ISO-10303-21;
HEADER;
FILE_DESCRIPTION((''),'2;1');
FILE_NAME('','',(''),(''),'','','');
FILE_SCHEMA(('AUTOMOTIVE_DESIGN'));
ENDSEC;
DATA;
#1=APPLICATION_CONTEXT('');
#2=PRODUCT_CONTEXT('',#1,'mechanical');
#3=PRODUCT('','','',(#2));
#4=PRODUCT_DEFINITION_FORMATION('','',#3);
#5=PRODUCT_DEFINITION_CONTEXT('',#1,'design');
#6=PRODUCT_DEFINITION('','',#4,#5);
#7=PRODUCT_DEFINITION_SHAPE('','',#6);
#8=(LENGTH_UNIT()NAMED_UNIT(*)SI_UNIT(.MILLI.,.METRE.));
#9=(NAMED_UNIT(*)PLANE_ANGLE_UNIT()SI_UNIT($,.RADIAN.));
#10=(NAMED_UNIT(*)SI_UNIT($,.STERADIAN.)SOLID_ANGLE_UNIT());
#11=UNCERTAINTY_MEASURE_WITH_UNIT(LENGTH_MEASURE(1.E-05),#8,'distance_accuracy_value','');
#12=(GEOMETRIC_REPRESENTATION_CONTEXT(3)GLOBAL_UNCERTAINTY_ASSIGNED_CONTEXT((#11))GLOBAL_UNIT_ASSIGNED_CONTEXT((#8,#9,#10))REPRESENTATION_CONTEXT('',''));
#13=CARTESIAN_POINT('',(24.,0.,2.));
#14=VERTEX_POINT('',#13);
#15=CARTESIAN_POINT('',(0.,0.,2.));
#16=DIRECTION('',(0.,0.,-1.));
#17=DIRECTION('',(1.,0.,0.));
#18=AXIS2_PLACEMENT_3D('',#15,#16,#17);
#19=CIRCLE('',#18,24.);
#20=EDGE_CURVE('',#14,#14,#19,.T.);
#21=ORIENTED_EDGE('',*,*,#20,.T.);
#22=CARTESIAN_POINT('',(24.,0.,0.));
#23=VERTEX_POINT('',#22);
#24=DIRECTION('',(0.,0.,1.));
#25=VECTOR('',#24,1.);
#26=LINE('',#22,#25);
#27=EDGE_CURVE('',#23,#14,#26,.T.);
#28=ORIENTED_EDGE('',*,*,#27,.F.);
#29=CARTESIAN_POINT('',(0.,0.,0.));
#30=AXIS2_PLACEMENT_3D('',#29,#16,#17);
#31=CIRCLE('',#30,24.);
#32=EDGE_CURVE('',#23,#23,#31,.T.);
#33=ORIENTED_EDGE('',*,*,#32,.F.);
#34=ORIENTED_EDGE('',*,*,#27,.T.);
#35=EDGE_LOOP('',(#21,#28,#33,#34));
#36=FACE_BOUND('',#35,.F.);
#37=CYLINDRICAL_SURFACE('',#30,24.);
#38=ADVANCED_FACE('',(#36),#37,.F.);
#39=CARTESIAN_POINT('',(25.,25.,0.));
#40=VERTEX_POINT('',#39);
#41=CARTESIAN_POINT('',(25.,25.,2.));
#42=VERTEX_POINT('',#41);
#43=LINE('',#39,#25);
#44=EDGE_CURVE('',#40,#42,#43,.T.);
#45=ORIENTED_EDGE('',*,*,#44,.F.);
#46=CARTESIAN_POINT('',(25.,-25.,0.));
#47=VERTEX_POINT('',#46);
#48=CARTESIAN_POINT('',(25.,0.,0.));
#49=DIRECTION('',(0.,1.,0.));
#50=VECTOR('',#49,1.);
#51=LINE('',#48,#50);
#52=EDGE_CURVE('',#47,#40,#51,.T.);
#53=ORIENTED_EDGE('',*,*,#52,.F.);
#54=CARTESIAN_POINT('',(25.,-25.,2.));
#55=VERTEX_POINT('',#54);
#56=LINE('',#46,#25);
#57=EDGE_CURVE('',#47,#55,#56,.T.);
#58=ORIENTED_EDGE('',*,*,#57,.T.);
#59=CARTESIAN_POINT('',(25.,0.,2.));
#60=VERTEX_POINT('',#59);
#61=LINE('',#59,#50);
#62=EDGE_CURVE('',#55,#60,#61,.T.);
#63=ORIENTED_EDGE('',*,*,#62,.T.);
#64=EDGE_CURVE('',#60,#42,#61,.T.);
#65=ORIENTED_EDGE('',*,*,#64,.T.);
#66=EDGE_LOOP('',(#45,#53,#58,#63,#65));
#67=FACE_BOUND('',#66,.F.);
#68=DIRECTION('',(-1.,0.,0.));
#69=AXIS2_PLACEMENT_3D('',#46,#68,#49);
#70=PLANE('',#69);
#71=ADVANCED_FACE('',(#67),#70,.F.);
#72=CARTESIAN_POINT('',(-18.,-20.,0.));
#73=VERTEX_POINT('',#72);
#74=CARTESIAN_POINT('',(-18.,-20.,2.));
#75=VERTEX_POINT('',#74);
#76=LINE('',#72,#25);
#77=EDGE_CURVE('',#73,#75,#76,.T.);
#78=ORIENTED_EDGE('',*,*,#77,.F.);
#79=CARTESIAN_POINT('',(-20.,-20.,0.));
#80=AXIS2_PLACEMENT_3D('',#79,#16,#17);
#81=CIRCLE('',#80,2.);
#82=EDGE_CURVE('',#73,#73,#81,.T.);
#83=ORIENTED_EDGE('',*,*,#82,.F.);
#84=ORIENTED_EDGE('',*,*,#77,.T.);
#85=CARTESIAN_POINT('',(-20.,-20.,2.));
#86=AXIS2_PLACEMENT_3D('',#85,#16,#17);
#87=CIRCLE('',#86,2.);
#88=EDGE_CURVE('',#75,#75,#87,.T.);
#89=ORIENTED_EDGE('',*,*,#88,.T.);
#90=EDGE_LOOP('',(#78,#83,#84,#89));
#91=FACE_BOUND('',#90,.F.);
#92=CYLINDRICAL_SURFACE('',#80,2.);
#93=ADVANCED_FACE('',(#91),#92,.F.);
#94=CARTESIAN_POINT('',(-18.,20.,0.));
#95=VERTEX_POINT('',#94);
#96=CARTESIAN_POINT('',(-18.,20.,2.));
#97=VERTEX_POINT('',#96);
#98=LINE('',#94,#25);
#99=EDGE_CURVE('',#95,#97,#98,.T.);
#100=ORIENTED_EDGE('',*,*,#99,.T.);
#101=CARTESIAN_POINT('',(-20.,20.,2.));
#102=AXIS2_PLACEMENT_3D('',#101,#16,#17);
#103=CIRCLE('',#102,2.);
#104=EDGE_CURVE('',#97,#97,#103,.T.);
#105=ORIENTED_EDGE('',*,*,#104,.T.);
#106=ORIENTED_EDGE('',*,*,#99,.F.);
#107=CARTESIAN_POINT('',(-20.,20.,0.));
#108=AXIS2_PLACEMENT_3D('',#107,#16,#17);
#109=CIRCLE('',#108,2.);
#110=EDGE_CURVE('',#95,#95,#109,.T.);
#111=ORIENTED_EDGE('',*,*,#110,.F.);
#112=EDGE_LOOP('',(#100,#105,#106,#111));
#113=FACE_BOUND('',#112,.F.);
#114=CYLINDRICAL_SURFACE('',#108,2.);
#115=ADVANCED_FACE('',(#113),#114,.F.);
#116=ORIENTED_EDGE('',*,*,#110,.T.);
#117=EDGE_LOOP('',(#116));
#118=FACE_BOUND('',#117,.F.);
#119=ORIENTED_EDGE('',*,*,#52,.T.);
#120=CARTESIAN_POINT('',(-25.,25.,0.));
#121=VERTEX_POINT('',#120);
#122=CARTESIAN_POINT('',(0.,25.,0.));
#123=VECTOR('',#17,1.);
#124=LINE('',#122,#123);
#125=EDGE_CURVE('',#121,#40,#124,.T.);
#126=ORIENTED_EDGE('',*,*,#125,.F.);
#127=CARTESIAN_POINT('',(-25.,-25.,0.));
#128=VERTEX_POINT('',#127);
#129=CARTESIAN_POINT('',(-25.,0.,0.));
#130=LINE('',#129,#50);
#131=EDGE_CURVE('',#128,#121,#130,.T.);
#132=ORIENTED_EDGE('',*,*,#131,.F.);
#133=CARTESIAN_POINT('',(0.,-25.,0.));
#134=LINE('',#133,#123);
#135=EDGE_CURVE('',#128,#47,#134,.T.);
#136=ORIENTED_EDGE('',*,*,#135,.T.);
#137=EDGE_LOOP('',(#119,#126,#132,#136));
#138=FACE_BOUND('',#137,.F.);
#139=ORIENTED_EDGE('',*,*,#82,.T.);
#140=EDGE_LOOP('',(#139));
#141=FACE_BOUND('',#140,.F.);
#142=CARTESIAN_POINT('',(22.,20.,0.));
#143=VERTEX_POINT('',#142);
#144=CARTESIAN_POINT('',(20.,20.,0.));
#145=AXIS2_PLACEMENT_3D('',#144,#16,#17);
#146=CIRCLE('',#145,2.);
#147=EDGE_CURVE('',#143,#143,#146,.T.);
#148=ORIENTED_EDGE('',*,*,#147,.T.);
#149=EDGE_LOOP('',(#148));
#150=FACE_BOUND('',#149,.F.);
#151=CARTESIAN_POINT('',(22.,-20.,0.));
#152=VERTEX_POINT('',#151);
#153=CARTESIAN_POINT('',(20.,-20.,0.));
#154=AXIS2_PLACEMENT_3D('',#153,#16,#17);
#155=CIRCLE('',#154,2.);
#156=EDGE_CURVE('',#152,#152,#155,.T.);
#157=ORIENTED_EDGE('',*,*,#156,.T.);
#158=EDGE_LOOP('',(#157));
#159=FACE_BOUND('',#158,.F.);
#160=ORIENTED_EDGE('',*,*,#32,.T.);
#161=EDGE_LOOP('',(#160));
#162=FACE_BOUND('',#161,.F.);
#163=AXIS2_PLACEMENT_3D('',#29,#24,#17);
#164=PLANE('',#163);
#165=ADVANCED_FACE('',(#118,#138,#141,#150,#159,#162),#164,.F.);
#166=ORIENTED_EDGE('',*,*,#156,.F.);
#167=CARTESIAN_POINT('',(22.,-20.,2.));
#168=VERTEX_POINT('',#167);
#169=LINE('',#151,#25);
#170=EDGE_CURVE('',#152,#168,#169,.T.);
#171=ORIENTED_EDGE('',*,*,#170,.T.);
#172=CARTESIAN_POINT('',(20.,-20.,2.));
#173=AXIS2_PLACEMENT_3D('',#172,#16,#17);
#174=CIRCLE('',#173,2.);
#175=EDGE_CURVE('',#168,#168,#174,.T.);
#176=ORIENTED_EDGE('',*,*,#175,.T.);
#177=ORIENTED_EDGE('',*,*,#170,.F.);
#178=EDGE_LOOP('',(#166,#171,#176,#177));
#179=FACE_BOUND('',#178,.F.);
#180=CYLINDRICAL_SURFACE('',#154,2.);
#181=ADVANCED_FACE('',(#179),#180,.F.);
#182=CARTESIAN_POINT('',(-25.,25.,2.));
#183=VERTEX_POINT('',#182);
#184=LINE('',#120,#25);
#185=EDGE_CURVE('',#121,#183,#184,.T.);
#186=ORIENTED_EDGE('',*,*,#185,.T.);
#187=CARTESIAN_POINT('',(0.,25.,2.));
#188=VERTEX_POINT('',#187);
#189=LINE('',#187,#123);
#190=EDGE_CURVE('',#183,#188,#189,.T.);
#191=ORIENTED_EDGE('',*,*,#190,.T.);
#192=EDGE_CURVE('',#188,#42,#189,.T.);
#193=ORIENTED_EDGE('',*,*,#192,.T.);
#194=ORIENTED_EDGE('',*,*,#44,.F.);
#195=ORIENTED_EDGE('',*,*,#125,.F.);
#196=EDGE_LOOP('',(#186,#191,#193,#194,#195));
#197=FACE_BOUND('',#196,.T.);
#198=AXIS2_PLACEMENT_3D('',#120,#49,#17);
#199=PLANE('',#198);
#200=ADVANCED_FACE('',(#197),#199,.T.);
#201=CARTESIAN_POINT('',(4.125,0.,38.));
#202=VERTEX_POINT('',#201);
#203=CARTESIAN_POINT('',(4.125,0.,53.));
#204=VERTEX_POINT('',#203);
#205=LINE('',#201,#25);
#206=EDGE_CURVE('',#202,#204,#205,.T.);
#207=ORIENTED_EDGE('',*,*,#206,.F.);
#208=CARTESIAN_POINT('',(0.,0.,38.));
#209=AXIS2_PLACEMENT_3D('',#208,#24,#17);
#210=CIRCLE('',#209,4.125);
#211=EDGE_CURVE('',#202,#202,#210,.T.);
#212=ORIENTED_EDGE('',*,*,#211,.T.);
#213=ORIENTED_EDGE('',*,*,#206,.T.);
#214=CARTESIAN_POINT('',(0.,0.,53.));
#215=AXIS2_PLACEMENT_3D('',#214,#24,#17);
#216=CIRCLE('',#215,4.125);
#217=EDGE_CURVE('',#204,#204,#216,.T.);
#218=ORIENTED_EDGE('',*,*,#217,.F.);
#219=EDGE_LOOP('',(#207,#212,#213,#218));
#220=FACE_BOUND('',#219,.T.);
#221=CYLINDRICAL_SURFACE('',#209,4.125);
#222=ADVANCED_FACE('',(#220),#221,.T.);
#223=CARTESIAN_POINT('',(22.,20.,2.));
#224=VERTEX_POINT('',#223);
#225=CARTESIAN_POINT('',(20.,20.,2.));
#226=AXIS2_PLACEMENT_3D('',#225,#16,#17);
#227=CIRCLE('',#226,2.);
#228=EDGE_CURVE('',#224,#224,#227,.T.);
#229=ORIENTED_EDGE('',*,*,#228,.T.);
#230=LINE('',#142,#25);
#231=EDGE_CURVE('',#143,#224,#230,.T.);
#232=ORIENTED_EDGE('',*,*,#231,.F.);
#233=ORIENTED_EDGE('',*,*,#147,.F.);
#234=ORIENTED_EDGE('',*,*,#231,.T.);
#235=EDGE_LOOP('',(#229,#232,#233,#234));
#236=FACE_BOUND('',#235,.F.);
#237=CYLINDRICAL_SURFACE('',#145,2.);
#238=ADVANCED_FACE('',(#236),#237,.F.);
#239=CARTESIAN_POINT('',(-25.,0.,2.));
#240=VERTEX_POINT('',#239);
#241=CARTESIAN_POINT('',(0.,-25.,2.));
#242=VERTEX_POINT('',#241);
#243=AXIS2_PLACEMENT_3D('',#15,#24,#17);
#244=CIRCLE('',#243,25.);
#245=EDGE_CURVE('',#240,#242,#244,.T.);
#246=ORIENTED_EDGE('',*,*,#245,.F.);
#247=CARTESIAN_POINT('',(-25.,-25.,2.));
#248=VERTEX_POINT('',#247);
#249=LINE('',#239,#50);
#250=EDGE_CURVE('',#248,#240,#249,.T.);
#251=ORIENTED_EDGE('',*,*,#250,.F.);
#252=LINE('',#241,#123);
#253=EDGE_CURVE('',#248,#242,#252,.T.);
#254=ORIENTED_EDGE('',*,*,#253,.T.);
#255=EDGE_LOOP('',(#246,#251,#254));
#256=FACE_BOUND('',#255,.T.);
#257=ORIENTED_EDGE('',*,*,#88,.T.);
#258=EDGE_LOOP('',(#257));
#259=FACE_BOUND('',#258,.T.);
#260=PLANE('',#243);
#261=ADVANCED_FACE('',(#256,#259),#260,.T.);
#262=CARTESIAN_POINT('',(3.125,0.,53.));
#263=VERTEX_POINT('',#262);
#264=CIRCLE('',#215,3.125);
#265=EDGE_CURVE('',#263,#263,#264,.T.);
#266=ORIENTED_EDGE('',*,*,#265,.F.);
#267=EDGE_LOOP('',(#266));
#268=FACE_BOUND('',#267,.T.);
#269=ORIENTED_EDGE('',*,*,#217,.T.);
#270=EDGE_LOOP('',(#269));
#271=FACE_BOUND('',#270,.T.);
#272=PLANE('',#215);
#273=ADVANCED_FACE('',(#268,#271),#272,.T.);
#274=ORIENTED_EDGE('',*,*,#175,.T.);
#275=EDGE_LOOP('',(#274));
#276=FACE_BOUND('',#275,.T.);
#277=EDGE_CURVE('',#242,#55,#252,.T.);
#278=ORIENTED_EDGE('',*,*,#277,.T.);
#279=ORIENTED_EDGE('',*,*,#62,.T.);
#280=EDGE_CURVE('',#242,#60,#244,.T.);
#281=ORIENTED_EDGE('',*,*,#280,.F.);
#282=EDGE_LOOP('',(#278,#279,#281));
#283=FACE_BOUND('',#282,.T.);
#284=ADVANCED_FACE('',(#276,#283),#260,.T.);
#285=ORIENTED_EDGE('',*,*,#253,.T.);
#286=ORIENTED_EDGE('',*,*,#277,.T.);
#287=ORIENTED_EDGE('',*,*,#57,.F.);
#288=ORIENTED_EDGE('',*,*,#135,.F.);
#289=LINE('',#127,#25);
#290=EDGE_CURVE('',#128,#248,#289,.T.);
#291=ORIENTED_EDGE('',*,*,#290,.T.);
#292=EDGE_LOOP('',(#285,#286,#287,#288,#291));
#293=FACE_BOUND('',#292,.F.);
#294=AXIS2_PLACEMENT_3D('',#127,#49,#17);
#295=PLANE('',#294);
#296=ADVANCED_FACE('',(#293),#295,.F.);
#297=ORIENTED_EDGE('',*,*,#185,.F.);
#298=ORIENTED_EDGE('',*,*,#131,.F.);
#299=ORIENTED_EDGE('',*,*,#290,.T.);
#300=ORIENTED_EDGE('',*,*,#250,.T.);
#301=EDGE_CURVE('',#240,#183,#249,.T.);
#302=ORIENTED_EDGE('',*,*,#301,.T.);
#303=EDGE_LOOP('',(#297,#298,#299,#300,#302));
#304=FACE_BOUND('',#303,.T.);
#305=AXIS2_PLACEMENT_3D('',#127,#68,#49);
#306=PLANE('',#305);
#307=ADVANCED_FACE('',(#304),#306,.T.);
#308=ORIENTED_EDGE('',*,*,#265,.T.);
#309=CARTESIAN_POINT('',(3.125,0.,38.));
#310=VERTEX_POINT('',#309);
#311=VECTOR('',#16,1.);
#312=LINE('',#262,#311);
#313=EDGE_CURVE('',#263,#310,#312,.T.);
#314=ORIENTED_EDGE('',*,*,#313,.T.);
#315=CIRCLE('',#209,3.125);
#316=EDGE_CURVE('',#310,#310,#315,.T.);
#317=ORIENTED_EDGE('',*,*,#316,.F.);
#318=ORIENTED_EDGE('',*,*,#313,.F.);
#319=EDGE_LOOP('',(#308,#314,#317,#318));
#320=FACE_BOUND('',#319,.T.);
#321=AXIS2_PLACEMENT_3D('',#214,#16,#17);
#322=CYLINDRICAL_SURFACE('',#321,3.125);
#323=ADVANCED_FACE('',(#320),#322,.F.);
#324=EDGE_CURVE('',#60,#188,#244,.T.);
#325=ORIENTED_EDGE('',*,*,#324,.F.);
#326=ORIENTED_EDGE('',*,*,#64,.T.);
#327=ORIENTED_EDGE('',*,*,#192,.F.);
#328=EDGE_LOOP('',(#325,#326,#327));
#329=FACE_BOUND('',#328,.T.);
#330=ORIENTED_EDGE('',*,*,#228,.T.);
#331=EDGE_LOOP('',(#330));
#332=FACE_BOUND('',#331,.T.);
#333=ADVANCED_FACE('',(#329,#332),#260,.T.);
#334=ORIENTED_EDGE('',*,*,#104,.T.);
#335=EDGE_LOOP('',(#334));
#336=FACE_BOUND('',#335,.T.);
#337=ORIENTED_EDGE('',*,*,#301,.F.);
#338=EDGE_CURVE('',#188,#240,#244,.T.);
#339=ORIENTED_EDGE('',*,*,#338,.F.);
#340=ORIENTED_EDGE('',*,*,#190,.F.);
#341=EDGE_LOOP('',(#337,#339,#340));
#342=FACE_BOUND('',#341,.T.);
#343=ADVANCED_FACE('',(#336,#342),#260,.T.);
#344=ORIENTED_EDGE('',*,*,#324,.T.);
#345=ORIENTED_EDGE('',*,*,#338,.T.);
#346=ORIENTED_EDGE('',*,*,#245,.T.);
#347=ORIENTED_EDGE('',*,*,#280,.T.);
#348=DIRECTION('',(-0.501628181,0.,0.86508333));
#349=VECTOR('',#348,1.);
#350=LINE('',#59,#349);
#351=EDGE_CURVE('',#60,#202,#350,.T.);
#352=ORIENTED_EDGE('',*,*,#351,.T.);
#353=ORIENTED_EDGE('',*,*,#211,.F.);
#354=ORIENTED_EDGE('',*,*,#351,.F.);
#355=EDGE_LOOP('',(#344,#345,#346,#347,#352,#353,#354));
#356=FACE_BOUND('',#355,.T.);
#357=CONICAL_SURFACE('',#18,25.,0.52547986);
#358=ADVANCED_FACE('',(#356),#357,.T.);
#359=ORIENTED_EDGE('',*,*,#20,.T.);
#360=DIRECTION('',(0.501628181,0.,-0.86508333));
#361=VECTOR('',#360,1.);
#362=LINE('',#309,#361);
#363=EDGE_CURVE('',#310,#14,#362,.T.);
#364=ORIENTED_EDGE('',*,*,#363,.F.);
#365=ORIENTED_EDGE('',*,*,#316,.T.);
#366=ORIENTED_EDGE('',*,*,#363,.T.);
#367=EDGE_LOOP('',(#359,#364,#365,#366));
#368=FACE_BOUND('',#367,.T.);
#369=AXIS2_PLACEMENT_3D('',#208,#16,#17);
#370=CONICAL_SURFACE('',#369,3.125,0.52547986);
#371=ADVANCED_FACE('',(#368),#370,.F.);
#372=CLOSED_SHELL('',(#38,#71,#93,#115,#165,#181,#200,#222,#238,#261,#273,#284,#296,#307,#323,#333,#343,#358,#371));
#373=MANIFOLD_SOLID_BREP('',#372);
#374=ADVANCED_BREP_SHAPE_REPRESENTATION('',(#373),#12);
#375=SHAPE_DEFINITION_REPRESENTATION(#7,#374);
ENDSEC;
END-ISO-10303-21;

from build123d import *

# Parameters (mm, degrees)
F0_W     = 50
F0_H     = 50
F1_DEPTH = 2
F2_R     = 24
F3_DEPTH = 25
F5_R     = 2
F6_DEPTH = 2.001


with BuildPart() as f1:
    # F0 (on Top) → F1 (new body)
    with BuildSketch(Plane.XY):
        Rectangle(F0_W, F0_H)
    extrude(amount=F1_DEPTH)

    # F2 (on face) → F3 (cut)
    with BuildSketch(Plane(origin=(0, 0, 0), x_dir=(1, 0, 0), z_dir=(0, 0, -1))):
        Circle(F2_R)
    extrude(amount=-F3_DEPTH, mode=Mode.SUBTRACT)

    # F5 (on face) → F6 (cut, through all)
    with BuildSketch(Plane(origin=(0, 0, 0), x_dir=(1, 0, 0), z_dir=(0, 0, -1))):
        with Locations((-20, 20)):
            Circle(F5_R)
        with Locations((20, 20)):
            Circle(F5_R)
        with Locations((20, -20)):
            Circle(F5_R)
        with Locations((-20, -20)):
            Circle(F5_R)
    extrude(amount=-F6_DEPTH, mode=Mode.SUBTRACT)

    # F4 (on Front) → F7 (revolve)
    with BuildSketch(Plane.XZ):
        Polygon((3.125, 38), (24, 2), (25, 2), (4.125, 38), (4.125, 53), (3.125, 53), align=None)
    revolve(axis=Axis((0, 0, 20), (0, 0, 1)))


solid = f1.part
